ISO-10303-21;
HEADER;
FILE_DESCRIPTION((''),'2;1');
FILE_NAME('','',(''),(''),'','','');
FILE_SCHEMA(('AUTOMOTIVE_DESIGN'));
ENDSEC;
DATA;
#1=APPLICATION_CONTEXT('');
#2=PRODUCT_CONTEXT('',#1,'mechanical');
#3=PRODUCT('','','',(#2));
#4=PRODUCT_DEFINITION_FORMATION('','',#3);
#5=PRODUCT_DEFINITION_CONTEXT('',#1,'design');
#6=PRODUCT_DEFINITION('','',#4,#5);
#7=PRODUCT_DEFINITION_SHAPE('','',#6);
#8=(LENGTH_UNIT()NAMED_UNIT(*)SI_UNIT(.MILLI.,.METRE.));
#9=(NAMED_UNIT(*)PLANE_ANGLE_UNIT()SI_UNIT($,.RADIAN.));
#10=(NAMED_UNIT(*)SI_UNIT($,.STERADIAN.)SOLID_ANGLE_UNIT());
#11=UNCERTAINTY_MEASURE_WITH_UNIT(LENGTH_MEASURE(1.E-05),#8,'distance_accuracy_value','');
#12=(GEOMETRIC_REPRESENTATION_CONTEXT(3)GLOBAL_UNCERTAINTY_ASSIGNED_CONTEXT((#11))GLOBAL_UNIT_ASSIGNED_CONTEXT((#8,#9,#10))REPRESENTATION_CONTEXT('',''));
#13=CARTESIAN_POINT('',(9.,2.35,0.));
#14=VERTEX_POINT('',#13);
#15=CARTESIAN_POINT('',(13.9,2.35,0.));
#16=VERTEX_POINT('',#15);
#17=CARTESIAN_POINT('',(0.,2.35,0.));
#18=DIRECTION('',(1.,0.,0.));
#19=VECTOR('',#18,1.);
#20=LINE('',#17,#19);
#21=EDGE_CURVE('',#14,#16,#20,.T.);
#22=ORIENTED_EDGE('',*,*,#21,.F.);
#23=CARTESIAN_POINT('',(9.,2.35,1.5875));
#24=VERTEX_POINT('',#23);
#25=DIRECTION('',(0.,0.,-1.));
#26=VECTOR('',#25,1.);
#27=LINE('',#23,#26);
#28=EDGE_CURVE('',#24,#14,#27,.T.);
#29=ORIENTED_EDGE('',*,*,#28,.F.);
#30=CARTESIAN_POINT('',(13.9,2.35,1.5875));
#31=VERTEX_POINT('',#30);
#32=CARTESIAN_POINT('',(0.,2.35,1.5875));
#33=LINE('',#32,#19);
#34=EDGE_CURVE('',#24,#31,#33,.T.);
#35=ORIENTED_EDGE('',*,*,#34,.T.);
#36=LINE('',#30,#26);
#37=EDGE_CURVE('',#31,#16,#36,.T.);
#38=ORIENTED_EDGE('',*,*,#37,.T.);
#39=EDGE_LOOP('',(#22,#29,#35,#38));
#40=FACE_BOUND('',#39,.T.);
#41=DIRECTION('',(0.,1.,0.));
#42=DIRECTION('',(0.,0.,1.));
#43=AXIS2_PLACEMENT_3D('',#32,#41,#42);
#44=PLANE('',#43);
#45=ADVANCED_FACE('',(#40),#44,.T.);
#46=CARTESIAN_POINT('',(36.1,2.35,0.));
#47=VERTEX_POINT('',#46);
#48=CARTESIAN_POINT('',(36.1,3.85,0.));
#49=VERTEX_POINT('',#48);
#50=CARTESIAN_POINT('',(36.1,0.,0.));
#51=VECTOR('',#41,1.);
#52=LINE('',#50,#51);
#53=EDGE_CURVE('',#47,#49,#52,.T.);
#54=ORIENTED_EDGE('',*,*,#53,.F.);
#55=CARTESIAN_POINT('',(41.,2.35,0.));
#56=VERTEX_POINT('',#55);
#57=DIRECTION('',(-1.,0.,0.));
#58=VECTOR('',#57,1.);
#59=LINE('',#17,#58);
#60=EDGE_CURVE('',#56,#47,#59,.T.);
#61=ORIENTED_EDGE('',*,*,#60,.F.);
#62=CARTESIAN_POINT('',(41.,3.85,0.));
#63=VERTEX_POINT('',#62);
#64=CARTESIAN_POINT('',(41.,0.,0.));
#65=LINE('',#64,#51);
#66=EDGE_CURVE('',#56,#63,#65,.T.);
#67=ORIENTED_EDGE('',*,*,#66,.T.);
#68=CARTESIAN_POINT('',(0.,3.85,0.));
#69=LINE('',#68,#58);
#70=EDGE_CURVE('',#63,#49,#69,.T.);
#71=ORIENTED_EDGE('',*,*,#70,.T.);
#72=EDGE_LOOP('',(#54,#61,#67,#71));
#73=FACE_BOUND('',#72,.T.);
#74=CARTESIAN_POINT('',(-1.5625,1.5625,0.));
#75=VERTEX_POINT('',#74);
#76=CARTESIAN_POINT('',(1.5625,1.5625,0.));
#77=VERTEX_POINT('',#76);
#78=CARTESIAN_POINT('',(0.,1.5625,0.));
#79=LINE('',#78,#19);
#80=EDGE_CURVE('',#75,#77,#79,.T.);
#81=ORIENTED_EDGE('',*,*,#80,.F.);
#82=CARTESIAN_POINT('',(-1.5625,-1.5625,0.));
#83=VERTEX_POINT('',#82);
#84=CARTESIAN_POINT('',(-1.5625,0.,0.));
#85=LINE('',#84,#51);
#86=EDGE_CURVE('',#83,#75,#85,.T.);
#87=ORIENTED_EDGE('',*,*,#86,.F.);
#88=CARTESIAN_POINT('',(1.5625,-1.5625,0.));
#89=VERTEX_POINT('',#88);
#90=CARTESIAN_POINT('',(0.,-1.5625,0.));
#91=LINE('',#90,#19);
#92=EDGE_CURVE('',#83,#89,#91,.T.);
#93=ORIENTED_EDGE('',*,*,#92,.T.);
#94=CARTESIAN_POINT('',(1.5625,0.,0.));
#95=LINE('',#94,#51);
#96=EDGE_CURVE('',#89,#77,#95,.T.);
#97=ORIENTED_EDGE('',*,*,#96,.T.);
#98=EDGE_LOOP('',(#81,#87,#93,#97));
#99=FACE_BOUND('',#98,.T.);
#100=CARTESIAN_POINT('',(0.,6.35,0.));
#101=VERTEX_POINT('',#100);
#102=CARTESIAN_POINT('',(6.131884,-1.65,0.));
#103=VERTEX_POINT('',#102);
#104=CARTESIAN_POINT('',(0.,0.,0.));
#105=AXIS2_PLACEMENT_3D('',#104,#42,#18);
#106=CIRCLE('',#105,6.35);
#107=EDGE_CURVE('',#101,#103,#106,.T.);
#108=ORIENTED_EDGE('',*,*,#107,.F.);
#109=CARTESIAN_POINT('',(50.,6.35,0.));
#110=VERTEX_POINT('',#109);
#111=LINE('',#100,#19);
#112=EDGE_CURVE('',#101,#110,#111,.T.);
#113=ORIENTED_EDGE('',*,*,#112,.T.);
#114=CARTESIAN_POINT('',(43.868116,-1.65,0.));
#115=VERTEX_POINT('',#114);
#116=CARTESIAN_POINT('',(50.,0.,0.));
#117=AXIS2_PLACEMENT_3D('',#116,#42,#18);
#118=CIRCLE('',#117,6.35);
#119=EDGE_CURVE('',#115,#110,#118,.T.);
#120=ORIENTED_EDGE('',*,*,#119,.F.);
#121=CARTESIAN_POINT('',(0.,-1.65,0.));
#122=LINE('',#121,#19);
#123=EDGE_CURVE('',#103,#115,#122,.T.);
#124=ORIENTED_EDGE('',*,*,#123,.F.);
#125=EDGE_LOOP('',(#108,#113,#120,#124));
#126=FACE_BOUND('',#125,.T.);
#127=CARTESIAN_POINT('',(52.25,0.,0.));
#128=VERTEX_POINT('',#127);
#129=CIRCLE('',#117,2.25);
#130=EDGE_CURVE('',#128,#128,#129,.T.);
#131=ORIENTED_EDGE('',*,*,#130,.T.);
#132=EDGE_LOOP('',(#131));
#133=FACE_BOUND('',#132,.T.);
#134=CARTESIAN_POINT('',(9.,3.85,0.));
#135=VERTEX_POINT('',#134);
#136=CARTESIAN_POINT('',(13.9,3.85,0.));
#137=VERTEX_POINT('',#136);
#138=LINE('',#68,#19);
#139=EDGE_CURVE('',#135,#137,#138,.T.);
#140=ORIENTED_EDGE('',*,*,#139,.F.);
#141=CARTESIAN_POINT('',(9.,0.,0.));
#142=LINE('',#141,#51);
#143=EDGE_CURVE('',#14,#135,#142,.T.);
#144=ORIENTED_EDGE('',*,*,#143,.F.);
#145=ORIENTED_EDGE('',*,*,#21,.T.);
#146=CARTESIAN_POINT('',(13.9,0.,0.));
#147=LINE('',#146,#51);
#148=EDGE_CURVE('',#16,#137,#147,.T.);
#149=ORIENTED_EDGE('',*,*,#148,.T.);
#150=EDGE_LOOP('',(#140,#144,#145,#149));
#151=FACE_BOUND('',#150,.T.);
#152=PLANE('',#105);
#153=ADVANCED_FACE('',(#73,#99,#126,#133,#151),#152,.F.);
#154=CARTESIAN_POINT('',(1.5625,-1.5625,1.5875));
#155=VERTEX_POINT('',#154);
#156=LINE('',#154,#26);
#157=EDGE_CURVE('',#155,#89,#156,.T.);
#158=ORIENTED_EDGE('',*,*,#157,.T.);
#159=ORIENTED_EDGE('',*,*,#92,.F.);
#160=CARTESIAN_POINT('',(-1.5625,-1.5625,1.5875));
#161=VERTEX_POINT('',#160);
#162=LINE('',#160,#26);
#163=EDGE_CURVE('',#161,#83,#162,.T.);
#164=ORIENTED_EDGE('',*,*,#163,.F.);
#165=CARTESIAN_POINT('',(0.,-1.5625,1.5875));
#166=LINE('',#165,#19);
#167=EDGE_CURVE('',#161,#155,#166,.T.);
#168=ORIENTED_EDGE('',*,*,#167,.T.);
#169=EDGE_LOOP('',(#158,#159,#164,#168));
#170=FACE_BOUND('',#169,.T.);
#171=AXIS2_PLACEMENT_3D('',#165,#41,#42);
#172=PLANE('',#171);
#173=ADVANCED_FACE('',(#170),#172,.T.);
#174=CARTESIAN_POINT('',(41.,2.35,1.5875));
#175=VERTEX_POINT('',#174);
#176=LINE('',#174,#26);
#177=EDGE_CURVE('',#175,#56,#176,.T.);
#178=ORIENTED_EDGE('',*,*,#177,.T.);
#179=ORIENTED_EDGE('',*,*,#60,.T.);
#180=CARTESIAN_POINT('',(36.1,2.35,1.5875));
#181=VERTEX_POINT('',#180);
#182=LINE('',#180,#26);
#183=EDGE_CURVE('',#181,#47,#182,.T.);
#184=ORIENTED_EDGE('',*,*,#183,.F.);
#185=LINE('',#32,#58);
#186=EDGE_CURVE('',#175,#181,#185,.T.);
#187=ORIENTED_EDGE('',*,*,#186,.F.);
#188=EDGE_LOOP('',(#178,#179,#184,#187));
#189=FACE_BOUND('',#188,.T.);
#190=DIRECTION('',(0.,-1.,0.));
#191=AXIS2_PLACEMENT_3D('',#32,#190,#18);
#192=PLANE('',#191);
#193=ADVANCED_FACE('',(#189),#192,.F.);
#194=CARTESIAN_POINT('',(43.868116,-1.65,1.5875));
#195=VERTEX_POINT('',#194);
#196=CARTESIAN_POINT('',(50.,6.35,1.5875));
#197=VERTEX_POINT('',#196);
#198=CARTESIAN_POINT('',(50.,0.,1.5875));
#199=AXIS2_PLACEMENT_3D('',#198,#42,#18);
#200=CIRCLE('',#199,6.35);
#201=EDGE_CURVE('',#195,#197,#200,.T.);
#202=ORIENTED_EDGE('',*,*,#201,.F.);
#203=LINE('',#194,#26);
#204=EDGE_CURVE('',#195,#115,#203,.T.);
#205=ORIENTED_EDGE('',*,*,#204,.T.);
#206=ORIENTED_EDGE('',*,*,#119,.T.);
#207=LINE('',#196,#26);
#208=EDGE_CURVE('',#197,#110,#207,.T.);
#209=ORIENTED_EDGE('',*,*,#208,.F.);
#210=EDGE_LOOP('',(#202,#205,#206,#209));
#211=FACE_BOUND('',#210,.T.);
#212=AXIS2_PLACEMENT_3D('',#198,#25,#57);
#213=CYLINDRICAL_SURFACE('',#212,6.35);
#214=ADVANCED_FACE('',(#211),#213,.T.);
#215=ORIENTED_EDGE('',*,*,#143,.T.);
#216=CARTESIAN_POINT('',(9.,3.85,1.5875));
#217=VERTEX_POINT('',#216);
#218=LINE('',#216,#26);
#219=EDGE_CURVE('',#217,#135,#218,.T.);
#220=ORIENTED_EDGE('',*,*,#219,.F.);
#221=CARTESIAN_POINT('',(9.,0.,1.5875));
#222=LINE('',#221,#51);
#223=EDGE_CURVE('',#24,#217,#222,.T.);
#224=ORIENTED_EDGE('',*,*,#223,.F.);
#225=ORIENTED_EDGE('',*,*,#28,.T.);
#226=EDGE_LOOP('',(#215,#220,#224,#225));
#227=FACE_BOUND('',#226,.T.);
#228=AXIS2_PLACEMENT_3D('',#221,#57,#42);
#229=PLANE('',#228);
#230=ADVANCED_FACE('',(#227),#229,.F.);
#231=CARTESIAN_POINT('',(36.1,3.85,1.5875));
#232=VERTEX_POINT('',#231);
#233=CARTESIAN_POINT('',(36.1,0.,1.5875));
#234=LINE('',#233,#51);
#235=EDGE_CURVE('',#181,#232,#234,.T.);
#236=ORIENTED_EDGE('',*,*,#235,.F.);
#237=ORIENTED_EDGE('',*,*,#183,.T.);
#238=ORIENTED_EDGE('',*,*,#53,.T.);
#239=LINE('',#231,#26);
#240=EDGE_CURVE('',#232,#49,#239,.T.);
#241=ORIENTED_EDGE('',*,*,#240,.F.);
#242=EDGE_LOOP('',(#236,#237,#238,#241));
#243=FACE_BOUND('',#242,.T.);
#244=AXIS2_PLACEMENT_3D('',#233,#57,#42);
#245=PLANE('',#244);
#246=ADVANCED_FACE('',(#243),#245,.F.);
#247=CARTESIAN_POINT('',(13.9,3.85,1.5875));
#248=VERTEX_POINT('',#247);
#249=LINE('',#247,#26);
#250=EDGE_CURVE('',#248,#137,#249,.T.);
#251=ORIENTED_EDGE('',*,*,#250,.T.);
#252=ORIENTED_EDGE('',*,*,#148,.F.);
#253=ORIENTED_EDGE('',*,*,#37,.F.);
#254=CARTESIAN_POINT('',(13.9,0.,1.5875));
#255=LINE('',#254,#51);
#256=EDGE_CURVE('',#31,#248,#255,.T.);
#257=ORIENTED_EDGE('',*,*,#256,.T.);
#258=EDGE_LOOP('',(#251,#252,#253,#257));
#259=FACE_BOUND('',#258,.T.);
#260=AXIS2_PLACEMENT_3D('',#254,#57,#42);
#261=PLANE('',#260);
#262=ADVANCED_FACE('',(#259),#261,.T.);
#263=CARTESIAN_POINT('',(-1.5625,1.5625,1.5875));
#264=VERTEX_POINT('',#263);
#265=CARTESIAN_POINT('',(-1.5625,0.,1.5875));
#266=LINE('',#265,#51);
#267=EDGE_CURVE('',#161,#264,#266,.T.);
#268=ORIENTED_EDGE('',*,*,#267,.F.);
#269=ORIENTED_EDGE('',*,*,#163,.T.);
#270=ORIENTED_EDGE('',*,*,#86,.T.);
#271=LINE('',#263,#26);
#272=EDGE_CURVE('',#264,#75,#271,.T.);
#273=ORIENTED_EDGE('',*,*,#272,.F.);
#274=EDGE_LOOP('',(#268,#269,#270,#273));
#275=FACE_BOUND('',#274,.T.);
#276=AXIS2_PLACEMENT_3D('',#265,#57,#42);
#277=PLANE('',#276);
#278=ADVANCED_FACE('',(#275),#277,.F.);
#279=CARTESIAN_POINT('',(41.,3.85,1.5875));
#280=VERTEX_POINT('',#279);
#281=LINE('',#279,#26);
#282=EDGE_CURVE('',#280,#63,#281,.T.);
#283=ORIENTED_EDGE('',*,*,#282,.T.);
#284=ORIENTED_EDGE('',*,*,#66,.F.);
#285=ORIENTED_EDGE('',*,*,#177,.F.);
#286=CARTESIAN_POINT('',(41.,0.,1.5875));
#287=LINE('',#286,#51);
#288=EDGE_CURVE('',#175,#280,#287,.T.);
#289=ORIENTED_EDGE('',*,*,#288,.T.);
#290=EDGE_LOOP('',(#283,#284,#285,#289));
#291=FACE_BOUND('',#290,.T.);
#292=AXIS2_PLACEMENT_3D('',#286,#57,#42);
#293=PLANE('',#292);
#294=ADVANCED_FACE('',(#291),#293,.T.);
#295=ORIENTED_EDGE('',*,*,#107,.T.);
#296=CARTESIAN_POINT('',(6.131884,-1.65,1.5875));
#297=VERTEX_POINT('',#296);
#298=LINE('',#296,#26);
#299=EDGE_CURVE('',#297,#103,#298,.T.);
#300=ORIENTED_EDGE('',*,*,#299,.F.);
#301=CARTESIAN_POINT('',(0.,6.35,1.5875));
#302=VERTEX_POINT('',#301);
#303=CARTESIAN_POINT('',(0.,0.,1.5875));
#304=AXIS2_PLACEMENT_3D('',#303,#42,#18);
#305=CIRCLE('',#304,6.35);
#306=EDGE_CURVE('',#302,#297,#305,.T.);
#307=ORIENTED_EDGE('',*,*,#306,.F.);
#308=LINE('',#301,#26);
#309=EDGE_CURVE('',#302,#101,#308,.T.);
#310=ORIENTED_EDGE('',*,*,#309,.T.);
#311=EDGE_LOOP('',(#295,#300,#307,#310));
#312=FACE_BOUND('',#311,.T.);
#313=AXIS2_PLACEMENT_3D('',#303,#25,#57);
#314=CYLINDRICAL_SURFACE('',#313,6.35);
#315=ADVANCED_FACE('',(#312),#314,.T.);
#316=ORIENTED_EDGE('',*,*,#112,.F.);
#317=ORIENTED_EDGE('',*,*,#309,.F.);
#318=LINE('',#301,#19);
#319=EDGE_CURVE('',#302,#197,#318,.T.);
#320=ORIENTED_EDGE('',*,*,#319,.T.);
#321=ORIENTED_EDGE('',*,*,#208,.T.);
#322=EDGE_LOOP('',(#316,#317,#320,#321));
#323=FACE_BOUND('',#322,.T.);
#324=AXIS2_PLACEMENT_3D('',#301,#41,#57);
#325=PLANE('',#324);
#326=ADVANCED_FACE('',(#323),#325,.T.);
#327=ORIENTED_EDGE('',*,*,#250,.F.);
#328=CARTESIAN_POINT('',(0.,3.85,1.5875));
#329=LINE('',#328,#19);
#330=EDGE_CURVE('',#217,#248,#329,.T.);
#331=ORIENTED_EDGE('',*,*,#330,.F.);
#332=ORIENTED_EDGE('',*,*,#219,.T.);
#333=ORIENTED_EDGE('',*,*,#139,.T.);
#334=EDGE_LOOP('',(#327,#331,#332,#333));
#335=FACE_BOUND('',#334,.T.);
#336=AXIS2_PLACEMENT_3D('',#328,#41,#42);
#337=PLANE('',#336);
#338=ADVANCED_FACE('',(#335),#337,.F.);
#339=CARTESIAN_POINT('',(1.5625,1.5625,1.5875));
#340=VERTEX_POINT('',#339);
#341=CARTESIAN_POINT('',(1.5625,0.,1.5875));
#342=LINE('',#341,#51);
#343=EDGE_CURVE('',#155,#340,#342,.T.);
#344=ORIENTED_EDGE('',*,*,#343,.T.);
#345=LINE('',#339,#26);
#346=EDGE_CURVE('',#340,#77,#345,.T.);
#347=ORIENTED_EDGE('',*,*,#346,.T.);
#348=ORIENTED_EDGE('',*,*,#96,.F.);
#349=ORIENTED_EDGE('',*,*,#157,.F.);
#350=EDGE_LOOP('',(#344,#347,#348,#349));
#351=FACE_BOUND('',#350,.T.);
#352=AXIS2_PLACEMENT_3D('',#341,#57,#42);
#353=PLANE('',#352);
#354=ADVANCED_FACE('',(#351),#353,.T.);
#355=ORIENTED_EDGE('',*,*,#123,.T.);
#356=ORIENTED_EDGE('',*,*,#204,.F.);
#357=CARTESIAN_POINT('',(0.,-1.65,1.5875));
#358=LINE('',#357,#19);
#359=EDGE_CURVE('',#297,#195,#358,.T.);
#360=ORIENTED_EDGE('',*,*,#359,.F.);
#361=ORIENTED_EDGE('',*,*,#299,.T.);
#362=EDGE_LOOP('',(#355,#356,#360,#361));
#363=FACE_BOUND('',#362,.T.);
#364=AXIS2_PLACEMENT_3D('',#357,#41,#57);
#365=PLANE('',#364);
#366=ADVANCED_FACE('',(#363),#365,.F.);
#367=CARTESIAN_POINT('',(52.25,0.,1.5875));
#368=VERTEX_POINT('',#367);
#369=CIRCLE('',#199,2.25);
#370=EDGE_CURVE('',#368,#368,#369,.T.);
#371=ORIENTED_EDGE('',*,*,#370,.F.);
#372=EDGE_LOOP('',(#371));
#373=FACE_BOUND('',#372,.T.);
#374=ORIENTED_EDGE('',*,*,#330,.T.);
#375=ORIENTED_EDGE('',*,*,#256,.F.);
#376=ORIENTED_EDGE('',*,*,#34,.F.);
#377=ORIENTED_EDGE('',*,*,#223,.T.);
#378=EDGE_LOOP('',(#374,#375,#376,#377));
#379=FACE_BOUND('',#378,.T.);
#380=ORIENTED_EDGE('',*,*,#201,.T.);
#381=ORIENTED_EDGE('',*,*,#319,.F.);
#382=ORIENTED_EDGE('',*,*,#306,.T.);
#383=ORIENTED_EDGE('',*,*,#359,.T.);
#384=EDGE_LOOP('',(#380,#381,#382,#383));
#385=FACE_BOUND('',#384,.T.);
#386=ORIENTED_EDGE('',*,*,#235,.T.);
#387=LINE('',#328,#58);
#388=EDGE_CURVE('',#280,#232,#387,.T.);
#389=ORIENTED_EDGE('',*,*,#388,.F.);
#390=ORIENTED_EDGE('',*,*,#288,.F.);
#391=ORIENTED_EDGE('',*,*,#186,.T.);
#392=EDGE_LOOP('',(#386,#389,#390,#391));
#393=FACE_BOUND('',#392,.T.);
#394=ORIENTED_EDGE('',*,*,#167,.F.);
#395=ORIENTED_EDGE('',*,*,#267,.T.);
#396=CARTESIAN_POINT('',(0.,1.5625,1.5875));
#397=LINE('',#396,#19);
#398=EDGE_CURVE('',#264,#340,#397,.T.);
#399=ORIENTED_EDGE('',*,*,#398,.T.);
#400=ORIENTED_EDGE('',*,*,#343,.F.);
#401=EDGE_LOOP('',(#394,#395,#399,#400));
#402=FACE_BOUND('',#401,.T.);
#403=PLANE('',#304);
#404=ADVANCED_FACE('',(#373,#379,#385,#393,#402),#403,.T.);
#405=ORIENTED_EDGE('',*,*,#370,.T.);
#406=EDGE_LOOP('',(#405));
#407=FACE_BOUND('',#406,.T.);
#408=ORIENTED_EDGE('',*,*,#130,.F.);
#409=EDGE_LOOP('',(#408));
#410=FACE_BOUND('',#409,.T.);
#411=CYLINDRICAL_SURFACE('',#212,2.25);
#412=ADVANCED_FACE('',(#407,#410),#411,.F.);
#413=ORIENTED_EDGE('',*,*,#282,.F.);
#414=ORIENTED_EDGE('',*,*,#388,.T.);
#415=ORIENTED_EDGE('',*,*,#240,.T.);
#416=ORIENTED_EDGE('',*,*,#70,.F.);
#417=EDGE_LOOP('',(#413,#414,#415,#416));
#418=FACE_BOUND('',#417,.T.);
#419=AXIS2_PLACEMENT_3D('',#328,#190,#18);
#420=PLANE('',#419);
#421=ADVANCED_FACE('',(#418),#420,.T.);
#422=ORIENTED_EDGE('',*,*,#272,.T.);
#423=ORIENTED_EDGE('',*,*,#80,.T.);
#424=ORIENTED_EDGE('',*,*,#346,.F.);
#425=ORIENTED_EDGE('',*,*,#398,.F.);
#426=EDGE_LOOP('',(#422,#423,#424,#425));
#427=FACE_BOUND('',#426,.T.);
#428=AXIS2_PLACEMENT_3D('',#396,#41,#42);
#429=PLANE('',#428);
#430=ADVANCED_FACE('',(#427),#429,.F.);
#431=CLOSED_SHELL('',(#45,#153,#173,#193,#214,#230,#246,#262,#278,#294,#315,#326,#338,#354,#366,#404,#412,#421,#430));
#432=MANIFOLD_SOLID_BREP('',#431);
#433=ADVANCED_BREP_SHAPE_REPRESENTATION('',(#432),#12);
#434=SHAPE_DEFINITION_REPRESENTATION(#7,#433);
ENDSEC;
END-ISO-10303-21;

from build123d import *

# Parameters (mm, degrees)
SKETCH1_W           = 4.9
SKETCH1_H           = 1.5
SKETCH1_R           = 6.35
SKETCH1_W_2         = 3.125
SKETCH1_H_2         = 3.125
SKETCH1_R_2         = 2.25
BOSS_EXTRUDE1_DEPTH = 1.5875


with BuildPart() as part:
    # Sketch1 → Boss-Extrude1 (new body)
    # profile 1 of 3: a face of its own
    with BuildSketch(Plane.XY):
        with BuildLine():
            Line((50, 6.35), (0, 6.35))
            ThreePointArc((0, 6.35), (4.490128061, 4.490128061), (6.35, 0))
            ThreePointArc((6.35, 0), (6.295234812, -0.83217706), (6.131883887, -1.65))
            Line((6.131883887, -1.65), (43.868116113, -1.65))
            ThreePointArc((43.868116113, -1.65), (44.960158733, 3.862965182), (50, 6.35))
        make_face()
        with Locations((11.45, 3.1)):
            Rectangle(SKETCH1_W, SKETCH1_H, mode=Mode.SUBTRACT)
        with Locations((38.55, 3.1)):
            Rectangle(SKETCH1_W, SKETCH1_H, mode=Mode.SUBTRACT)
    # profile 2 of 3: a face of its own
    with BuildSketch(Plane.XY):
        Circle(SKETCH1_R)
        Rectangle(SKETCH1_W_2, SKETCH1_H_2, mode=Mode.SUBTRACT)
    # profile 3 of 3: a face of its own
    with BuildSketch(Plane.XY):
        with Locations((50, 0)):
            Circle(SKETCH1_R)
        with Locations((50, 0)):
            Circle(SKETCH1_R_2, mode=Mode.SUBTRACT)
    extrude(amount=BOSS_EXTRUDE1_DEPTH)


solid = part.part
